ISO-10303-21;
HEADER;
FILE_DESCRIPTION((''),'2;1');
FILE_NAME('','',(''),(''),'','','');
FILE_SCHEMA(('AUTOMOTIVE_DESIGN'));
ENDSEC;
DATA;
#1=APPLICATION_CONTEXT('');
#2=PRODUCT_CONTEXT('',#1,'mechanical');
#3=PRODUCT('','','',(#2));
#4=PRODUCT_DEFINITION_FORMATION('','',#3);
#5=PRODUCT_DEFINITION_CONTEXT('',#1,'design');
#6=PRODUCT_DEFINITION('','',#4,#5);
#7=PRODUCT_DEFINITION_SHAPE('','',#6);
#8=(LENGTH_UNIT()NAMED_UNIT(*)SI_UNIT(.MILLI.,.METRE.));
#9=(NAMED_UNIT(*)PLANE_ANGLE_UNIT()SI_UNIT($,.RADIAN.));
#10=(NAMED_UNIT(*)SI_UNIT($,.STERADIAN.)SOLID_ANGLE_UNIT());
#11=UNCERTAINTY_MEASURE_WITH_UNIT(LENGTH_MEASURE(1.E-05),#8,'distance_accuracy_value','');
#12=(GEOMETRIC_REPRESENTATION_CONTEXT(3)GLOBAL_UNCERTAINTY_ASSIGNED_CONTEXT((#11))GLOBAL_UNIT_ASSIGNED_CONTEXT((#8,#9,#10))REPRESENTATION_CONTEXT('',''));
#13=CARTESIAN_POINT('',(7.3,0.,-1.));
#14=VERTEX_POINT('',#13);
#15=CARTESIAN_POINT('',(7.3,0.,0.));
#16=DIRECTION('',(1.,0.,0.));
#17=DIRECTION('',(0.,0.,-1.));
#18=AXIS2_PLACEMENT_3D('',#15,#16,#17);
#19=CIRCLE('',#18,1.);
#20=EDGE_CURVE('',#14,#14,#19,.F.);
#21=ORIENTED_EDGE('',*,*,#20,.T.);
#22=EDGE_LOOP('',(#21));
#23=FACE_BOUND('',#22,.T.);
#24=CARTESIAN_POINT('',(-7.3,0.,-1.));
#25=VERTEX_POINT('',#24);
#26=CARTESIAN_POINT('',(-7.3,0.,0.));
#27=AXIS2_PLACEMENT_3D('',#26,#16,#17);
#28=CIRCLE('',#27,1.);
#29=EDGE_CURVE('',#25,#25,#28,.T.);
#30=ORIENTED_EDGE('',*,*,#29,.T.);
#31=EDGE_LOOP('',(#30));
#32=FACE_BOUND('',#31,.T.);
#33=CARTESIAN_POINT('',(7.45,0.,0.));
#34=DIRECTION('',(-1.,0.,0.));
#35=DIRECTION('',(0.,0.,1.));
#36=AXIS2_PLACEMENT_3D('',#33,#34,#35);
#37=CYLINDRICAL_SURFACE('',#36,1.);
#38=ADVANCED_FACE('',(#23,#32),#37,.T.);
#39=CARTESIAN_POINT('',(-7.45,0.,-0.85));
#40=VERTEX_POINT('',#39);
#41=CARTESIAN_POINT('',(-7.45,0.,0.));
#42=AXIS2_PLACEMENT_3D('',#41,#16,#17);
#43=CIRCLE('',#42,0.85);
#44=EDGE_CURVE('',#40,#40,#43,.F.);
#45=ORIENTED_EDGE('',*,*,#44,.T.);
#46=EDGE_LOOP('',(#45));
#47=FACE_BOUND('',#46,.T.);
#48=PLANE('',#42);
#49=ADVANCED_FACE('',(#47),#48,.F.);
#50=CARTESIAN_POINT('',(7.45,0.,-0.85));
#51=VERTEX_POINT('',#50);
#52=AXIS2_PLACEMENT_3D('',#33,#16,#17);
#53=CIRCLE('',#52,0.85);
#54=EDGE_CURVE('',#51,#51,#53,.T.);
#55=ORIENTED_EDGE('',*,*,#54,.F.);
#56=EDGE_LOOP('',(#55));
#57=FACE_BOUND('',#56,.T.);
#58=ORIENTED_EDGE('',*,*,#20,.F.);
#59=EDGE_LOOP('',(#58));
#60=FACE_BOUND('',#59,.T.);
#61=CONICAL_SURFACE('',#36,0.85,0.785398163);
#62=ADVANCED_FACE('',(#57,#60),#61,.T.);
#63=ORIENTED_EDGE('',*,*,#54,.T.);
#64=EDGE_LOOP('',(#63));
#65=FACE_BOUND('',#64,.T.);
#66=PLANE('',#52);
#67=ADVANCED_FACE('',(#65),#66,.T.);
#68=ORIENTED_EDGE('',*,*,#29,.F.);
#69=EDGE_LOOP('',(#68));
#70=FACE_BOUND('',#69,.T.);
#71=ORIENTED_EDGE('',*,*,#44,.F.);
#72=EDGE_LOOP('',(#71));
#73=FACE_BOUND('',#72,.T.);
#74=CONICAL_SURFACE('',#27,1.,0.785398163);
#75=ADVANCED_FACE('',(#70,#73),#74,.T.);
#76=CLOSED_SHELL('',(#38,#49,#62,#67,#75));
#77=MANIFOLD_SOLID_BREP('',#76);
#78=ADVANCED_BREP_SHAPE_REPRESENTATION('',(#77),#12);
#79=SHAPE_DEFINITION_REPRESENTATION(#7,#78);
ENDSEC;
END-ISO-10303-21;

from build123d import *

# Parameters (mm, degrees)
SKETCH1_R           = 1
BOSS_EXTRUDE1_DEPTH = 7.45
CHAMFER1_SIZE       = 0.15


with BuildPart() as part:
    # Sketch1 → Boss-Extrude1 (new body, symmetric)
    with BuildSketch(Plane(origin=(0, 0, 0), x_dir=(0, 0, -1), z_dir=(1, 0, 0))):
        Circle(SKETCH1_R)
    extrude(amount=BOSS_EXTRUDE1_DEPTH, both=True)

    # Chamfer1
    chamfer1_edges = [part.edges().sort_by_distance(p)[0] for p in [
        (-7.45, 0, 1),
        (7.45, 0, 1),
    ]]
    chamfer(chamfer1_edges, length=CHAMFER1_SIZE)


solid = part.part
